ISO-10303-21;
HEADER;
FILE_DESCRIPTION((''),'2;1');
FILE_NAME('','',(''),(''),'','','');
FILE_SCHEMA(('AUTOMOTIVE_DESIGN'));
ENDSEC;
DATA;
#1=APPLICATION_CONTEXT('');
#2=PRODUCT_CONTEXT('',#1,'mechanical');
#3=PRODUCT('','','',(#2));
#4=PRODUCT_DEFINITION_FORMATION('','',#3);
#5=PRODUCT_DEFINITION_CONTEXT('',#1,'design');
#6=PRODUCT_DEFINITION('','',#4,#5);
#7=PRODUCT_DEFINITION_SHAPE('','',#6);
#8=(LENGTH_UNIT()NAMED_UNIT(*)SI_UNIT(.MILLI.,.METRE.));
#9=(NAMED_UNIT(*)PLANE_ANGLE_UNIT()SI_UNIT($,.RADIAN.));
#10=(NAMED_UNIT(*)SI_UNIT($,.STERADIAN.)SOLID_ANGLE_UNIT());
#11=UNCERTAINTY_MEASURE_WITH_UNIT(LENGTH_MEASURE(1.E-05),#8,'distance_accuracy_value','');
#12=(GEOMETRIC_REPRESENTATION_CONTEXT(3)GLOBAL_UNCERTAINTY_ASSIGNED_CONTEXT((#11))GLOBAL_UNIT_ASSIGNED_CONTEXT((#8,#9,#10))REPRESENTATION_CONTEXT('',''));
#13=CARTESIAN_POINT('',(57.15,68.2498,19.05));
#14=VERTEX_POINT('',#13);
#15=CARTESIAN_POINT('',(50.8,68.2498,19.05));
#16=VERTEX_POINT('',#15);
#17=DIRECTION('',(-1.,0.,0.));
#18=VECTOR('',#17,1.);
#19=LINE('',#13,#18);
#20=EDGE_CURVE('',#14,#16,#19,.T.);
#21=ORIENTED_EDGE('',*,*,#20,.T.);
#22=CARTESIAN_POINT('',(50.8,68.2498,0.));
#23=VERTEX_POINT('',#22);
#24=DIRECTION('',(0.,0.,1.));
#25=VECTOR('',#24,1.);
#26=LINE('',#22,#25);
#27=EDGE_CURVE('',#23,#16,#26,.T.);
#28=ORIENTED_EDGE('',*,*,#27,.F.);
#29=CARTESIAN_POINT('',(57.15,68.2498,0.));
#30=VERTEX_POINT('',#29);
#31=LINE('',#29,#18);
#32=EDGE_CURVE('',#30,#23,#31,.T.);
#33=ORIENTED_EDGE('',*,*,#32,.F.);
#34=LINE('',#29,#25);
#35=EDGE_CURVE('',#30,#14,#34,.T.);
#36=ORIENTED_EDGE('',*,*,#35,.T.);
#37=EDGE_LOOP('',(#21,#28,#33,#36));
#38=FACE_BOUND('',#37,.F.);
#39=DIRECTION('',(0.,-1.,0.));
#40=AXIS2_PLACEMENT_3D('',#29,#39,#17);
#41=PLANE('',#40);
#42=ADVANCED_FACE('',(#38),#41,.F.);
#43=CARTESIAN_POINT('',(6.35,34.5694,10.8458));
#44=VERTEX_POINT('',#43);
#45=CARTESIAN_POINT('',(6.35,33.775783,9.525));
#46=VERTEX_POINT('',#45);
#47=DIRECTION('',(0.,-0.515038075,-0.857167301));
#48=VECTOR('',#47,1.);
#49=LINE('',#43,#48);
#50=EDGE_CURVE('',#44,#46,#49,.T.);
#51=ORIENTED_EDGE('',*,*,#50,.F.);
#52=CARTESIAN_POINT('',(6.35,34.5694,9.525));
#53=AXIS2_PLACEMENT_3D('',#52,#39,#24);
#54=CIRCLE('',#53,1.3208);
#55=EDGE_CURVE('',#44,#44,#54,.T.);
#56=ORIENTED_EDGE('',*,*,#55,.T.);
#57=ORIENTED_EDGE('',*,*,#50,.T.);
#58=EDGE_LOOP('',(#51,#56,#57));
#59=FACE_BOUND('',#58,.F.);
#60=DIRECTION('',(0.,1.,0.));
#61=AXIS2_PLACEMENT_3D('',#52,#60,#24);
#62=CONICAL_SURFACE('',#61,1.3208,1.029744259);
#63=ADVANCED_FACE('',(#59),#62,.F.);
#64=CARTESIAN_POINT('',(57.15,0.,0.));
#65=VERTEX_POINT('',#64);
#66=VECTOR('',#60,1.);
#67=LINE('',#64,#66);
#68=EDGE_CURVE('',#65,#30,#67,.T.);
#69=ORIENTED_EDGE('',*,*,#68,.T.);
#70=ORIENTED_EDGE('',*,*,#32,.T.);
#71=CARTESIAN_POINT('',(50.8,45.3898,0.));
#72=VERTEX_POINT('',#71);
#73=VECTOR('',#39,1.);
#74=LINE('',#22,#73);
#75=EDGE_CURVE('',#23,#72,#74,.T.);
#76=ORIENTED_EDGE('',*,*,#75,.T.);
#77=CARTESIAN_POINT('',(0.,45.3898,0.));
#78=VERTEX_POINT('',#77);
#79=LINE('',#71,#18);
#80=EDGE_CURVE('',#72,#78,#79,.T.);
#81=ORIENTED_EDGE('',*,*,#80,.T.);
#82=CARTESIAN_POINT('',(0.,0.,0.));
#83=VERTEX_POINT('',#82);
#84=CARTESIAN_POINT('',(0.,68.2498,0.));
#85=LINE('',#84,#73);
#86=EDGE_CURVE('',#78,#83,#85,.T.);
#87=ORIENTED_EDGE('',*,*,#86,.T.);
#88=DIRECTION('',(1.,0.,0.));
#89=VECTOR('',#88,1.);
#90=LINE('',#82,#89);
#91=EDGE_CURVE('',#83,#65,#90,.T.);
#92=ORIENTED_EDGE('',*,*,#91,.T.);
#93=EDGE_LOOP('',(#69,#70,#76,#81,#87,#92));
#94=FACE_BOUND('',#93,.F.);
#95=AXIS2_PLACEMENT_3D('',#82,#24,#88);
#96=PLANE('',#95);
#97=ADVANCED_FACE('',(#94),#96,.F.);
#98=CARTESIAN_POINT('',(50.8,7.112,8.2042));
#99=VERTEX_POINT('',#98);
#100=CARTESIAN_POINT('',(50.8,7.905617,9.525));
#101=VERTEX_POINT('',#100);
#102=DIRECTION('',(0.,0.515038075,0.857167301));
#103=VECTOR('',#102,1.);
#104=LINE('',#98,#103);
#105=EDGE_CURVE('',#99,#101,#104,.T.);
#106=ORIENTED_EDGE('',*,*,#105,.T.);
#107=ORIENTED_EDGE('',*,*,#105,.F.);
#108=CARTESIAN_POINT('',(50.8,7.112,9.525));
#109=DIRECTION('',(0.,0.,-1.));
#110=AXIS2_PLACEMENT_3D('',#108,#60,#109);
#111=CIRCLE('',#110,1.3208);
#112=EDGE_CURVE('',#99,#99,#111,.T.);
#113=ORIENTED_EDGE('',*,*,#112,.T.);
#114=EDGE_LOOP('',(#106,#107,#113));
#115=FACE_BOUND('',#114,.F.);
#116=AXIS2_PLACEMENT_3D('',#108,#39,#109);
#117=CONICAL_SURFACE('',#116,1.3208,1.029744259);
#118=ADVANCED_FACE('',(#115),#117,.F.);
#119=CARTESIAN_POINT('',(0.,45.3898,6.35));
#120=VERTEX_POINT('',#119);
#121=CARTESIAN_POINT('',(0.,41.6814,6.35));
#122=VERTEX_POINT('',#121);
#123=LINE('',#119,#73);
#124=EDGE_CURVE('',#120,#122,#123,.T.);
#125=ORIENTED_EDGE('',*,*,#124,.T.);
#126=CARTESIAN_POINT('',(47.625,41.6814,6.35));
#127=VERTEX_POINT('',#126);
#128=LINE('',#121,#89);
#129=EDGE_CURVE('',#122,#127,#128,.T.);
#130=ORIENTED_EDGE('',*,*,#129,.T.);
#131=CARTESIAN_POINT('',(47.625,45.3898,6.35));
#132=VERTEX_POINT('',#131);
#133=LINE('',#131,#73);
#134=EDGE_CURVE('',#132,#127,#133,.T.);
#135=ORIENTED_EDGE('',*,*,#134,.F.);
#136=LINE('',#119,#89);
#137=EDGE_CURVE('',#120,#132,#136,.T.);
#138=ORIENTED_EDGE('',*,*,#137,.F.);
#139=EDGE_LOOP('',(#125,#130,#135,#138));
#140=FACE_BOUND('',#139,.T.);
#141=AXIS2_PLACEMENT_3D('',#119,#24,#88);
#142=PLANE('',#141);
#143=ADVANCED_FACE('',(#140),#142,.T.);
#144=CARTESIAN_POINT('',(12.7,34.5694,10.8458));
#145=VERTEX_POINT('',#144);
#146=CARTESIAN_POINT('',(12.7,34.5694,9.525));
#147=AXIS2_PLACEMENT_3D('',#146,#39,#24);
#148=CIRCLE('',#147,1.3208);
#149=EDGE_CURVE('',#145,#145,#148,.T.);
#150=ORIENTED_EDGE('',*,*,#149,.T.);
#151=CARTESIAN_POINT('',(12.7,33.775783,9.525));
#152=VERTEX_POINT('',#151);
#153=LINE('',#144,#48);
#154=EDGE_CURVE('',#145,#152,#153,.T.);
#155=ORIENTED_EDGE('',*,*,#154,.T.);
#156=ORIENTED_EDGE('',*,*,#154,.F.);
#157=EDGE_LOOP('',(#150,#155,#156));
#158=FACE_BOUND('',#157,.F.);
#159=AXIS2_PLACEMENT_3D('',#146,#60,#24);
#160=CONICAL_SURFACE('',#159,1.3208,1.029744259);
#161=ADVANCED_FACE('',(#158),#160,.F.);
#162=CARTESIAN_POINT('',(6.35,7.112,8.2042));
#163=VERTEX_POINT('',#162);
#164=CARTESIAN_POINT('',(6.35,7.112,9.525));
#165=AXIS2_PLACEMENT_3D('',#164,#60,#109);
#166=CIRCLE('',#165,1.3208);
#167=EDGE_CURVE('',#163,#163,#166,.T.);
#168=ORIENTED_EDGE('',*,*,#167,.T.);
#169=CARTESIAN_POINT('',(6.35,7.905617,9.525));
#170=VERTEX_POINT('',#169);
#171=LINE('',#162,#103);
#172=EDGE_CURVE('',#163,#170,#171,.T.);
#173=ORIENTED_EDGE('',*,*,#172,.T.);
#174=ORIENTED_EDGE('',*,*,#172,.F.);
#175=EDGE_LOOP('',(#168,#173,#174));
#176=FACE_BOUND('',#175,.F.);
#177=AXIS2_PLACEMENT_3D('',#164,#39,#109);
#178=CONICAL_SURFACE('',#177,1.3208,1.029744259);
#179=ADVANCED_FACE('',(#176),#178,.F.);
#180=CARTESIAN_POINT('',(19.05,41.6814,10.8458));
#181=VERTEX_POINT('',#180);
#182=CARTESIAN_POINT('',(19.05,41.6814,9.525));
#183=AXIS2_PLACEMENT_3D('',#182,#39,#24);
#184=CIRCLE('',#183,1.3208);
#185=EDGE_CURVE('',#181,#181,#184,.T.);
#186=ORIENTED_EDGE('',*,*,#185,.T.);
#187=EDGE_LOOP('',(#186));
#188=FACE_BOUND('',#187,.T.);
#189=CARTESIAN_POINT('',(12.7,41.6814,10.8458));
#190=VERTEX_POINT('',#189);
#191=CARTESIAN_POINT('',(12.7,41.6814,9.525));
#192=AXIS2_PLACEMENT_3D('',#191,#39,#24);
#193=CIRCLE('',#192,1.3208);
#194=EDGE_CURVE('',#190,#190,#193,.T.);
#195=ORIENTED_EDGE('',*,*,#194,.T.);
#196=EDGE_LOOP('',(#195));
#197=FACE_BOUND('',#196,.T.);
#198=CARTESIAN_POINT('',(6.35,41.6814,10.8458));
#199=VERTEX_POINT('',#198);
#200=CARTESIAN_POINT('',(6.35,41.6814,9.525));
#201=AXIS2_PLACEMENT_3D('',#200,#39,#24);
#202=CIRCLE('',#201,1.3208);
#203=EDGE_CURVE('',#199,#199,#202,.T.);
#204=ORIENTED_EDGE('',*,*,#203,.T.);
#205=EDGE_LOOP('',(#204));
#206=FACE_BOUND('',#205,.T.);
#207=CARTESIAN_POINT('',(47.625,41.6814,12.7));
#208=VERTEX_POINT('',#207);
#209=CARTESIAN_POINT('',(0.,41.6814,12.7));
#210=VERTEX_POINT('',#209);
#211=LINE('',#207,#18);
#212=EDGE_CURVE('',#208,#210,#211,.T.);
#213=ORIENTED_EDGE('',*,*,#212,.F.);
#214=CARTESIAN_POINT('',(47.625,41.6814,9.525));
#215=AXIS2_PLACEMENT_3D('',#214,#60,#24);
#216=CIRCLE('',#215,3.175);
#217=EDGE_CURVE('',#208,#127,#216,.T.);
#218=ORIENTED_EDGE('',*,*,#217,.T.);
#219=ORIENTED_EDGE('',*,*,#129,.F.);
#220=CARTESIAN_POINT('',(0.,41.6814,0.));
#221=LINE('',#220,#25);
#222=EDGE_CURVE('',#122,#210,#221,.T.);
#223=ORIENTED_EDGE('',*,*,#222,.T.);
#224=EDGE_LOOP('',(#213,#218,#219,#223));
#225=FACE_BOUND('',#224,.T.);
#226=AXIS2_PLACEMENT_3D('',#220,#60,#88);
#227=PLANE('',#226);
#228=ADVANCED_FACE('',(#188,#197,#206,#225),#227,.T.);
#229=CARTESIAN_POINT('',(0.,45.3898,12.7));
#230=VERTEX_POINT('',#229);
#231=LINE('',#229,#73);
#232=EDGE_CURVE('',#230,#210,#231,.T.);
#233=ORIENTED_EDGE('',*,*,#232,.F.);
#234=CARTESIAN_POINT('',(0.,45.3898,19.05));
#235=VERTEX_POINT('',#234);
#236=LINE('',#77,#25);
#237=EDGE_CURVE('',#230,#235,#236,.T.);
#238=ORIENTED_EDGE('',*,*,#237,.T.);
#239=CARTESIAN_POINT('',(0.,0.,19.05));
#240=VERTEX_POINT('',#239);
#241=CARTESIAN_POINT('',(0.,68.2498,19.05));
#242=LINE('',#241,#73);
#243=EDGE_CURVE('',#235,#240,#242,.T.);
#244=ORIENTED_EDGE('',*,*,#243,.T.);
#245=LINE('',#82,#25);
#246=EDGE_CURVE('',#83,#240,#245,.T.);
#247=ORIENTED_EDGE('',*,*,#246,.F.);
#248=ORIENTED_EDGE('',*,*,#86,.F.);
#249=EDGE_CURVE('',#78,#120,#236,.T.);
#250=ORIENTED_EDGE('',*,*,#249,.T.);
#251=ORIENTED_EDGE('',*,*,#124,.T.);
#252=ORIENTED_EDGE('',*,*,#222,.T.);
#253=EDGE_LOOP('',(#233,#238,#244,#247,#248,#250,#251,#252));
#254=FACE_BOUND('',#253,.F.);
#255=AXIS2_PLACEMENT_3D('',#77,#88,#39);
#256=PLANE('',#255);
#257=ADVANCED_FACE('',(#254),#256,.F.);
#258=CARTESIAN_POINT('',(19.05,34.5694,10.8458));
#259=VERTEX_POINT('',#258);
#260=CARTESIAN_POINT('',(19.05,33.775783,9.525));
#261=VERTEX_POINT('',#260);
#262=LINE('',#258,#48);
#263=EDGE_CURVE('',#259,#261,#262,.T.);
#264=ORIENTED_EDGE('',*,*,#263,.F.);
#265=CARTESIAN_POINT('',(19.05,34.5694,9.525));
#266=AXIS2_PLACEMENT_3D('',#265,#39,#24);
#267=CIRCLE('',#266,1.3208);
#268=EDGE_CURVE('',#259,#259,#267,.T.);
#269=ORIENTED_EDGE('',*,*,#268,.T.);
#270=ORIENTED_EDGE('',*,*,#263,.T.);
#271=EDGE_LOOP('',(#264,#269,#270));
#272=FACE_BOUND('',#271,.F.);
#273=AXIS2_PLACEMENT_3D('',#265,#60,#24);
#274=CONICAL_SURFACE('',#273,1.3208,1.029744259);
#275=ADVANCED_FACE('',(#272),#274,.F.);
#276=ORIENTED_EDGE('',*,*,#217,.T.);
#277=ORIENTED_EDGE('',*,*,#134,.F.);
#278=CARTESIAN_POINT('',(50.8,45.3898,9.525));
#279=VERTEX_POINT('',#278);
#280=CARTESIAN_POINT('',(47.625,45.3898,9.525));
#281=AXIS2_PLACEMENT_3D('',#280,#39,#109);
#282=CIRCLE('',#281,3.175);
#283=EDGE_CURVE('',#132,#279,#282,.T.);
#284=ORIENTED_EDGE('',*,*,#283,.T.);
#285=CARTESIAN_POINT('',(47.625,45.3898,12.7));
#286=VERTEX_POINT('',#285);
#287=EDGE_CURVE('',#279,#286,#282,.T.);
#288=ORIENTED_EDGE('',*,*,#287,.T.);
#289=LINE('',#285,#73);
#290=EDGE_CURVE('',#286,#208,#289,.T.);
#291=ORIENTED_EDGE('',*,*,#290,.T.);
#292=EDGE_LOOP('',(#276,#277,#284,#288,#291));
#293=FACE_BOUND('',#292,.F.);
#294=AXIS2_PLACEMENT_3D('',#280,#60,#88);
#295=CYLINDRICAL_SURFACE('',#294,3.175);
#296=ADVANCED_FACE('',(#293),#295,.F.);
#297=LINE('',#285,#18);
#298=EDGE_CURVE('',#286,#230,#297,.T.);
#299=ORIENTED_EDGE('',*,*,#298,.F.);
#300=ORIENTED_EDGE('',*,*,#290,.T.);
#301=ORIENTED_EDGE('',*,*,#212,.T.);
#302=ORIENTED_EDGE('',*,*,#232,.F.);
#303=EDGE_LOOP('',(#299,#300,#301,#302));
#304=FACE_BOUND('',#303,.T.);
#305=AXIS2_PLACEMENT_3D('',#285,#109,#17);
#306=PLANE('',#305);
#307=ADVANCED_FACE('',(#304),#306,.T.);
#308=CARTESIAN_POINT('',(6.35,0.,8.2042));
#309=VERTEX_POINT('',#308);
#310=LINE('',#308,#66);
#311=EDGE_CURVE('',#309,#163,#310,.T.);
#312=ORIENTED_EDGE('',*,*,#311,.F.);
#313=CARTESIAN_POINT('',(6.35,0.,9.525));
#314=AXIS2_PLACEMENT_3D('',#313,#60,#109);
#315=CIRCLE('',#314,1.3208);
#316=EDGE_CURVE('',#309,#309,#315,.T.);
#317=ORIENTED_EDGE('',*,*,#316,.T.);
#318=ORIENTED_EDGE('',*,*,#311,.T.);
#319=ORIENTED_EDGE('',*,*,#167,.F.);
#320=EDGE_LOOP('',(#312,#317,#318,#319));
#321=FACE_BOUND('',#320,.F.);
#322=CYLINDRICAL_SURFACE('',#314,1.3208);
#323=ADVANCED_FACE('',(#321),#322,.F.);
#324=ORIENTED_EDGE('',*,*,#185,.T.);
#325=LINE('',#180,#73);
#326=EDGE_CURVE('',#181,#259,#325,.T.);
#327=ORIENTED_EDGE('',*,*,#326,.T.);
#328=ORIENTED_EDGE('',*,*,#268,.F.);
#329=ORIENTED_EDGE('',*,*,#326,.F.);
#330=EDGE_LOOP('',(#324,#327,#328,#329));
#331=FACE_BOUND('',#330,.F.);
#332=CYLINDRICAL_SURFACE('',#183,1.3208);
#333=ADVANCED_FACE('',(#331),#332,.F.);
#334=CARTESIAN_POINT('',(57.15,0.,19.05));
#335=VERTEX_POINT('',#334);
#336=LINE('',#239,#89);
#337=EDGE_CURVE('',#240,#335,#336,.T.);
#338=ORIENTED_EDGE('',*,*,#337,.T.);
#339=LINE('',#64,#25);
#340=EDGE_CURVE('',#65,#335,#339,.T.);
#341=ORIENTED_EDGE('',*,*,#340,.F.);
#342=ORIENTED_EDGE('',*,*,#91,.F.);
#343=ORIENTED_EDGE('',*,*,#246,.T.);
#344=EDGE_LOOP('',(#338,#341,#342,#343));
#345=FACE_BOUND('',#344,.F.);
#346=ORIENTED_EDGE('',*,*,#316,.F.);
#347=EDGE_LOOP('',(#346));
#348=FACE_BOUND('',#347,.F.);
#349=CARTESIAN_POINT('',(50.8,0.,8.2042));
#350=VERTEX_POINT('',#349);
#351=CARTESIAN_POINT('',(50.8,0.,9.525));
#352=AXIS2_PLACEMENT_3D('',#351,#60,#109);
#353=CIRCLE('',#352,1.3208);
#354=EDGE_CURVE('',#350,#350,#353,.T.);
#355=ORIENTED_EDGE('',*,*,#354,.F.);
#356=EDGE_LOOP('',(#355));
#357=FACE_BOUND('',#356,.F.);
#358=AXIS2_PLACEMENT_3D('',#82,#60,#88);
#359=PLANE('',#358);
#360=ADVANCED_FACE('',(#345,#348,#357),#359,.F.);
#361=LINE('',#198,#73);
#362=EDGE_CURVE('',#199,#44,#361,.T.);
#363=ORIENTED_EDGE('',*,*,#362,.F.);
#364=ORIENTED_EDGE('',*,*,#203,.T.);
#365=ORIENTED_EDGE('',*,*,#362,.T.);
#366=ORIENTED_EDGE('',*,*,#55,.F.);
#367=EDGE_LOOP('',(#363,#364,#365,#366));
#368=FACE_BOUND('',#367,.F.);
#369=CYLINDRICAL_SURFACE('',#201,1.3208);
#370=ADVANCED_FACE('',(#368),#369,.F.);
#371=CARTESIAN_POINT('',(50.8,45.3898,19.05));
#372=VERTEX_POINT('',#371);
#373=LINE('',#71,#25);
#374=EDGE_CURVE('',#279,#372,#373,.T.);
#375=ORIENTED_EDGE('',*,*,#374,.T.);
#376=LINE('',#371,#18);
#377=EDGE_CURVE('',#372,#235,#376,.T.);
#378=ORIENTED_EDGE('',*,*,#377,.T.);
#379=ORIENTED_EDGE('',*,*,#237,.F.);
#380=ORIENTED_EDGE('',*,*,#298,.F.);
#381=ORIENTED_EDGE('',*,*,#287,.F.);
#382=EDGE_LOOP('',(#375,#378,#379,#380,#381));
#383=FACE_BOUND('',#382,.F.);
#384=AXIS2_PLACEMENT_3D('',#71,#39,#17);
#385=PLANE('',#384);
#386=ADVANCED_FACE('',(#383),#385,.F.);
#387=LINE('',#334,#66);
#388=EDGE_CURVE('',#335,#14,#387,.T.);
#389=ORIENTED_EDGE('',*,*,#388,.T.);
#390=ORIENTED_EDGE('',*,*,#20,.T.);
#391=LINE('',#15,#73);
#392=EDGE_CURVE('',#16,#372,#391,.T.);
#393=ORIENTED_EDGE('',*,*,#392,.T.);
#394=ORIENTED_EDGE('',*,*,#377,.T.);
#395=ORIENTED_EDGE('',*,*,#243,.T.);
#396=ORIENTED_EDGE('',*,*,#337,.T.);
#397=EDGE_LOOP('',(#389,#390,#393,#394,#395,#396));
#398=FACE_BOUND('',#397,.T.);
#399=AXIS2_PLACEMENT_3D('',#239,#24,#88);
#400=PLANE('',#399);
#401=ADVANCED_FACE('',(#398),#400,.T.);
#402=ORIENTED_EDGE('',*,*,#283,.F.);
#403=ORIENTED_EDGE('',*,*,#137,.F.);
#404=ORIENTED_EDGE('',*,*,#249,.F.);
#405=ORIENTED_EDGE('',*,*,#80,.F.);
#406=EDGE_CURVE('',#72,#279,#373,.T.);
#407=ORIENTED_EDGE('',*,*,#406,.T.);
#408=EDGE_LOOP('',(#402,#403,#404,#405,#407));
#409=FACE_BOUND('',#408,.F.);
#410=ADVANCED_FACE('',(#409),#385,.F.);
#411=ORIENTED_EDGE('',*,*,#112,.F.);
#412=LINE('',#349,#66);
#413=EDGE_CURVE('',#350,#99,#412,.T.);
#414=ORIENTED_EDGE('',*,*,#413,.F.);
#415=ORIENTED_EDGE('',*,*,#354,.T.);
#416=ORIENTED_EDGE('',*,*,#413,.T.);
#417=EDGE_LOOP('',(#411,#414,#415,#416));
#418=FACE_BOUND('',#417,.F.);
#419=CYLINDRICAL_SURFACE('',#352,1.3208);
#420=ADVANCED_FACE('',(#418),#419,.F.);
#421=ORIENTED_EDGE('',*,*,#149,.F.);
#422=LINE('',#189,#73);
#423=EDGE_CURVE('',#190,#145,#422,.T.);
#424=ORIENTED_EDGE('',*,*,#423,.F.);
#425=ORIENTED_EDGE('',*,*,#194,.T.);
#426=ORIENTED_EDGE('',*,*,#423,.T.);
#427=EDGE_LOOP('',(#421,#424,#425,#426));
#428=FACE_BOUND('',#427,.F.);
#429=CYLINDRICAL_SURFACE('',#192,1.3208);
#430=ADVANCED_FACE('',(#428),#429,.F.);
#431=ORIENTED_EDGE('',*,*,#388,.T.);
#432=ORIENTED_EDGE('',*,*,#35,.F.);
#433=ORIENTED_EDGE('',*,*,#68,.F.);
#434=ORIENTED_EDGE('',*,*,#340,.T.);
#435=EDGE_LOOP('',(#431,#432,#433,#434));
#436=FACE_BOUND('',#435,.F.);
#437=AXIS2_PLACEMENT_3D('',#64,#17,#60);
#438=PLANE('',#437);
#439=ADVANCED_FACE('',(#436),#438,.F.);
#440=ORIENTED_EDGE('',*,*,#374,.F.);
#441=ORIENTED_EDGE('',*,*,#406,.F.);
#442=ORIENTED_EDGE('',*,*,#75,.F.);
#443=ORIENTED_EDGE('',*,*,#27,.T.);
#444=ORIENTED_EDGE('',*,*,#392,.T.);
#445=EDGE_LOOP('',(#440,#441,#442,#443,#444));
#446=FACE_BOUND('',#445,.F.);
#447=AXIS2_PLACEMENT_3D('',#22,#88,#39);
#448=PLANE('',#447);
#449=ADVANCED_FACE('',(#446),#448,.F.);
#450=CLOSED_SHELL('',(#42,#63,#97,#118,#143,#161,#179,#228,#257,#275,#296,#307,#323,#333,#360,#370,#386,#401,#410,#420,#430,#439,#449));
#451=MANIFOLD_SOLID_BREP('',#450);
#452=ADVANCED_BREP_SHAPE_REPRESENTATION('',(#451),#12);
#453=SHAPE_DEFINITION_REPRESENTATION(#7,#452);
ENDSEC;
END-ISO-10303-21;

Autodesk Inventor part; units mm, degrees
ref_plane "YZ Plane" through (0, 0, 0) normal (1, 0, 0) x (0, 1, 0)
ref_plane "XZ Plane" through (0, 0, 0) normal (0, 1, 0) x (-1, 0, 0)
ref_plane "XY Plane" through (0, 0, 0) normal (0, 0, 1) x (1, 0, 0)
sketch "Sketch1" plane through (0, 0, 0) normal (0, 0, 1) x (1, 0, 0)
  line L0 (0, 0) -> (57.15, 0)
  line L1 (57.15, 0) -> (57.15, 68.2498)
  line L2 (57.15, 68.2498) -> (0, 68.2498)
  line L3 (0, 68.2498) -> (0, 0)
  line L4 (0, 68.2498) -> (50.8, 68.2498)
  line L5 (50.8, 68.2498) -> (50.8, 45.3898)
  line L6 (50.8, 45.3898) -> (0, 45.3898)
  line L7 (0, 45.3898) -> (0, 68.2498)
  dimension "d0" = 57.15
  dimension "d1" = 68.2498
  dimension "d2" = 50.8
  dimension "d3" = 22.86
extrude "Extrusion1" add sketch "Sketch1" along normal blind 19.05 contours L3 L6 L5 L2 L1 L0
sketch "Sketch2" plane through (0, 45.3898, 0) normal (0, 1, 0) x (1, 0, 0)
  line L0 (0, 0) -> (0, -19.05) projected
  line L1 (0, -6.35) -> (47.625, -6.35)
  line L2 (47.625, -6.35) -> (47.625, -12.7)
  line L3 (47.625, -12.7) -> (0, -12.7)
  line L4 (0, -12.7) -> (0, -6.35)
  line L5 (0, 0) -> (50.8, 0) projected
  circle A0 centre (47.625, -9.525) radius 3.175
  dimension "d6" = 47.625
  dimension "d7" = 6.35
  dimension "d8" = 6.35
extrude "Extrusion2" cut sketch "Sketch2" against normal blind 3.7084
sketch "Sketch3" plane through (0, 41.6814, 0) normal (0, 1, 0) x (1, 0, 0)
  line L0 (47.625, -12.7) -> (0, -12.7) projected
  line L1 (0, -6.35) -> (47.625, -6.35) projected
  line L2 (0, -12.7) -> (0, -6.35) projected
  point P0 (0, 0)
  point P1 (6.35, -9.525)
  point P2 (12.7, -9.525)
  point P3 (19.05, -9.525)
  dimension "d11" = 6.35
  dimension "d12" = 3.175
  dimension "d13" = 3.175
  dimension "d14" = 3.175
  dimension "d15" = 6.35
  dimension "d16" = 12.7
  dimension "d17" = 19.05
sketch "Sketch4" plane through (0, 0, 0) normal (0, -1, 0) x (1, 0, 0)
  line L0 (0, 0) -> (57.15, 0) projected
  line L1 (0, 19.05) -> (57.15, 19.05) projected
  line L2 (0, 0) -> (0, 19.05) projected
  line L3 (57.15, 0) -> (57.15, 19.05) projected
  point P0 (6.35, 9.525)
  point P1 (50.8, 9.525)
  dimension "d18" = 19.05
  dimension "d19" = 9.525
  dimension "d20" = 9.525
  dimension "d21" = 6.35
  dimension "d22" = 6.35
hole "Hole1" at (50.8, 0, 9.525) at (6.35, 0, 9.525) direction (0, 1, 0) diameter 2.6416 depth 7.112 tip angle 118 thread size "6-32 UNC" class "2B" standard "ANSI Unified Screw Threads"
hole "Hole2" at (6.35, 41.6814, 9.525) at (12.7, 41.6814, 9.525) at (19.05, 41.6814, 9.525) direction (0, -1, 0) diameter 2.6416 depth 7.112 tip angle 118 thread size "6-32 UNC" class "2B" standard "ANSI Unified Screw Threads"
equation "\"d8\" = d7"
equation "\"d12\" = 0.5 * d11"
equation "\"d13\" = d12"
equation "\"d14\" = d13"
equation "\"d15\" = d11"
equation "\"d19\" = 0.5 * d18"
equation "\"d20\" = d19"
equation "\"d22\" = d21"
properties part number "Spring block"
